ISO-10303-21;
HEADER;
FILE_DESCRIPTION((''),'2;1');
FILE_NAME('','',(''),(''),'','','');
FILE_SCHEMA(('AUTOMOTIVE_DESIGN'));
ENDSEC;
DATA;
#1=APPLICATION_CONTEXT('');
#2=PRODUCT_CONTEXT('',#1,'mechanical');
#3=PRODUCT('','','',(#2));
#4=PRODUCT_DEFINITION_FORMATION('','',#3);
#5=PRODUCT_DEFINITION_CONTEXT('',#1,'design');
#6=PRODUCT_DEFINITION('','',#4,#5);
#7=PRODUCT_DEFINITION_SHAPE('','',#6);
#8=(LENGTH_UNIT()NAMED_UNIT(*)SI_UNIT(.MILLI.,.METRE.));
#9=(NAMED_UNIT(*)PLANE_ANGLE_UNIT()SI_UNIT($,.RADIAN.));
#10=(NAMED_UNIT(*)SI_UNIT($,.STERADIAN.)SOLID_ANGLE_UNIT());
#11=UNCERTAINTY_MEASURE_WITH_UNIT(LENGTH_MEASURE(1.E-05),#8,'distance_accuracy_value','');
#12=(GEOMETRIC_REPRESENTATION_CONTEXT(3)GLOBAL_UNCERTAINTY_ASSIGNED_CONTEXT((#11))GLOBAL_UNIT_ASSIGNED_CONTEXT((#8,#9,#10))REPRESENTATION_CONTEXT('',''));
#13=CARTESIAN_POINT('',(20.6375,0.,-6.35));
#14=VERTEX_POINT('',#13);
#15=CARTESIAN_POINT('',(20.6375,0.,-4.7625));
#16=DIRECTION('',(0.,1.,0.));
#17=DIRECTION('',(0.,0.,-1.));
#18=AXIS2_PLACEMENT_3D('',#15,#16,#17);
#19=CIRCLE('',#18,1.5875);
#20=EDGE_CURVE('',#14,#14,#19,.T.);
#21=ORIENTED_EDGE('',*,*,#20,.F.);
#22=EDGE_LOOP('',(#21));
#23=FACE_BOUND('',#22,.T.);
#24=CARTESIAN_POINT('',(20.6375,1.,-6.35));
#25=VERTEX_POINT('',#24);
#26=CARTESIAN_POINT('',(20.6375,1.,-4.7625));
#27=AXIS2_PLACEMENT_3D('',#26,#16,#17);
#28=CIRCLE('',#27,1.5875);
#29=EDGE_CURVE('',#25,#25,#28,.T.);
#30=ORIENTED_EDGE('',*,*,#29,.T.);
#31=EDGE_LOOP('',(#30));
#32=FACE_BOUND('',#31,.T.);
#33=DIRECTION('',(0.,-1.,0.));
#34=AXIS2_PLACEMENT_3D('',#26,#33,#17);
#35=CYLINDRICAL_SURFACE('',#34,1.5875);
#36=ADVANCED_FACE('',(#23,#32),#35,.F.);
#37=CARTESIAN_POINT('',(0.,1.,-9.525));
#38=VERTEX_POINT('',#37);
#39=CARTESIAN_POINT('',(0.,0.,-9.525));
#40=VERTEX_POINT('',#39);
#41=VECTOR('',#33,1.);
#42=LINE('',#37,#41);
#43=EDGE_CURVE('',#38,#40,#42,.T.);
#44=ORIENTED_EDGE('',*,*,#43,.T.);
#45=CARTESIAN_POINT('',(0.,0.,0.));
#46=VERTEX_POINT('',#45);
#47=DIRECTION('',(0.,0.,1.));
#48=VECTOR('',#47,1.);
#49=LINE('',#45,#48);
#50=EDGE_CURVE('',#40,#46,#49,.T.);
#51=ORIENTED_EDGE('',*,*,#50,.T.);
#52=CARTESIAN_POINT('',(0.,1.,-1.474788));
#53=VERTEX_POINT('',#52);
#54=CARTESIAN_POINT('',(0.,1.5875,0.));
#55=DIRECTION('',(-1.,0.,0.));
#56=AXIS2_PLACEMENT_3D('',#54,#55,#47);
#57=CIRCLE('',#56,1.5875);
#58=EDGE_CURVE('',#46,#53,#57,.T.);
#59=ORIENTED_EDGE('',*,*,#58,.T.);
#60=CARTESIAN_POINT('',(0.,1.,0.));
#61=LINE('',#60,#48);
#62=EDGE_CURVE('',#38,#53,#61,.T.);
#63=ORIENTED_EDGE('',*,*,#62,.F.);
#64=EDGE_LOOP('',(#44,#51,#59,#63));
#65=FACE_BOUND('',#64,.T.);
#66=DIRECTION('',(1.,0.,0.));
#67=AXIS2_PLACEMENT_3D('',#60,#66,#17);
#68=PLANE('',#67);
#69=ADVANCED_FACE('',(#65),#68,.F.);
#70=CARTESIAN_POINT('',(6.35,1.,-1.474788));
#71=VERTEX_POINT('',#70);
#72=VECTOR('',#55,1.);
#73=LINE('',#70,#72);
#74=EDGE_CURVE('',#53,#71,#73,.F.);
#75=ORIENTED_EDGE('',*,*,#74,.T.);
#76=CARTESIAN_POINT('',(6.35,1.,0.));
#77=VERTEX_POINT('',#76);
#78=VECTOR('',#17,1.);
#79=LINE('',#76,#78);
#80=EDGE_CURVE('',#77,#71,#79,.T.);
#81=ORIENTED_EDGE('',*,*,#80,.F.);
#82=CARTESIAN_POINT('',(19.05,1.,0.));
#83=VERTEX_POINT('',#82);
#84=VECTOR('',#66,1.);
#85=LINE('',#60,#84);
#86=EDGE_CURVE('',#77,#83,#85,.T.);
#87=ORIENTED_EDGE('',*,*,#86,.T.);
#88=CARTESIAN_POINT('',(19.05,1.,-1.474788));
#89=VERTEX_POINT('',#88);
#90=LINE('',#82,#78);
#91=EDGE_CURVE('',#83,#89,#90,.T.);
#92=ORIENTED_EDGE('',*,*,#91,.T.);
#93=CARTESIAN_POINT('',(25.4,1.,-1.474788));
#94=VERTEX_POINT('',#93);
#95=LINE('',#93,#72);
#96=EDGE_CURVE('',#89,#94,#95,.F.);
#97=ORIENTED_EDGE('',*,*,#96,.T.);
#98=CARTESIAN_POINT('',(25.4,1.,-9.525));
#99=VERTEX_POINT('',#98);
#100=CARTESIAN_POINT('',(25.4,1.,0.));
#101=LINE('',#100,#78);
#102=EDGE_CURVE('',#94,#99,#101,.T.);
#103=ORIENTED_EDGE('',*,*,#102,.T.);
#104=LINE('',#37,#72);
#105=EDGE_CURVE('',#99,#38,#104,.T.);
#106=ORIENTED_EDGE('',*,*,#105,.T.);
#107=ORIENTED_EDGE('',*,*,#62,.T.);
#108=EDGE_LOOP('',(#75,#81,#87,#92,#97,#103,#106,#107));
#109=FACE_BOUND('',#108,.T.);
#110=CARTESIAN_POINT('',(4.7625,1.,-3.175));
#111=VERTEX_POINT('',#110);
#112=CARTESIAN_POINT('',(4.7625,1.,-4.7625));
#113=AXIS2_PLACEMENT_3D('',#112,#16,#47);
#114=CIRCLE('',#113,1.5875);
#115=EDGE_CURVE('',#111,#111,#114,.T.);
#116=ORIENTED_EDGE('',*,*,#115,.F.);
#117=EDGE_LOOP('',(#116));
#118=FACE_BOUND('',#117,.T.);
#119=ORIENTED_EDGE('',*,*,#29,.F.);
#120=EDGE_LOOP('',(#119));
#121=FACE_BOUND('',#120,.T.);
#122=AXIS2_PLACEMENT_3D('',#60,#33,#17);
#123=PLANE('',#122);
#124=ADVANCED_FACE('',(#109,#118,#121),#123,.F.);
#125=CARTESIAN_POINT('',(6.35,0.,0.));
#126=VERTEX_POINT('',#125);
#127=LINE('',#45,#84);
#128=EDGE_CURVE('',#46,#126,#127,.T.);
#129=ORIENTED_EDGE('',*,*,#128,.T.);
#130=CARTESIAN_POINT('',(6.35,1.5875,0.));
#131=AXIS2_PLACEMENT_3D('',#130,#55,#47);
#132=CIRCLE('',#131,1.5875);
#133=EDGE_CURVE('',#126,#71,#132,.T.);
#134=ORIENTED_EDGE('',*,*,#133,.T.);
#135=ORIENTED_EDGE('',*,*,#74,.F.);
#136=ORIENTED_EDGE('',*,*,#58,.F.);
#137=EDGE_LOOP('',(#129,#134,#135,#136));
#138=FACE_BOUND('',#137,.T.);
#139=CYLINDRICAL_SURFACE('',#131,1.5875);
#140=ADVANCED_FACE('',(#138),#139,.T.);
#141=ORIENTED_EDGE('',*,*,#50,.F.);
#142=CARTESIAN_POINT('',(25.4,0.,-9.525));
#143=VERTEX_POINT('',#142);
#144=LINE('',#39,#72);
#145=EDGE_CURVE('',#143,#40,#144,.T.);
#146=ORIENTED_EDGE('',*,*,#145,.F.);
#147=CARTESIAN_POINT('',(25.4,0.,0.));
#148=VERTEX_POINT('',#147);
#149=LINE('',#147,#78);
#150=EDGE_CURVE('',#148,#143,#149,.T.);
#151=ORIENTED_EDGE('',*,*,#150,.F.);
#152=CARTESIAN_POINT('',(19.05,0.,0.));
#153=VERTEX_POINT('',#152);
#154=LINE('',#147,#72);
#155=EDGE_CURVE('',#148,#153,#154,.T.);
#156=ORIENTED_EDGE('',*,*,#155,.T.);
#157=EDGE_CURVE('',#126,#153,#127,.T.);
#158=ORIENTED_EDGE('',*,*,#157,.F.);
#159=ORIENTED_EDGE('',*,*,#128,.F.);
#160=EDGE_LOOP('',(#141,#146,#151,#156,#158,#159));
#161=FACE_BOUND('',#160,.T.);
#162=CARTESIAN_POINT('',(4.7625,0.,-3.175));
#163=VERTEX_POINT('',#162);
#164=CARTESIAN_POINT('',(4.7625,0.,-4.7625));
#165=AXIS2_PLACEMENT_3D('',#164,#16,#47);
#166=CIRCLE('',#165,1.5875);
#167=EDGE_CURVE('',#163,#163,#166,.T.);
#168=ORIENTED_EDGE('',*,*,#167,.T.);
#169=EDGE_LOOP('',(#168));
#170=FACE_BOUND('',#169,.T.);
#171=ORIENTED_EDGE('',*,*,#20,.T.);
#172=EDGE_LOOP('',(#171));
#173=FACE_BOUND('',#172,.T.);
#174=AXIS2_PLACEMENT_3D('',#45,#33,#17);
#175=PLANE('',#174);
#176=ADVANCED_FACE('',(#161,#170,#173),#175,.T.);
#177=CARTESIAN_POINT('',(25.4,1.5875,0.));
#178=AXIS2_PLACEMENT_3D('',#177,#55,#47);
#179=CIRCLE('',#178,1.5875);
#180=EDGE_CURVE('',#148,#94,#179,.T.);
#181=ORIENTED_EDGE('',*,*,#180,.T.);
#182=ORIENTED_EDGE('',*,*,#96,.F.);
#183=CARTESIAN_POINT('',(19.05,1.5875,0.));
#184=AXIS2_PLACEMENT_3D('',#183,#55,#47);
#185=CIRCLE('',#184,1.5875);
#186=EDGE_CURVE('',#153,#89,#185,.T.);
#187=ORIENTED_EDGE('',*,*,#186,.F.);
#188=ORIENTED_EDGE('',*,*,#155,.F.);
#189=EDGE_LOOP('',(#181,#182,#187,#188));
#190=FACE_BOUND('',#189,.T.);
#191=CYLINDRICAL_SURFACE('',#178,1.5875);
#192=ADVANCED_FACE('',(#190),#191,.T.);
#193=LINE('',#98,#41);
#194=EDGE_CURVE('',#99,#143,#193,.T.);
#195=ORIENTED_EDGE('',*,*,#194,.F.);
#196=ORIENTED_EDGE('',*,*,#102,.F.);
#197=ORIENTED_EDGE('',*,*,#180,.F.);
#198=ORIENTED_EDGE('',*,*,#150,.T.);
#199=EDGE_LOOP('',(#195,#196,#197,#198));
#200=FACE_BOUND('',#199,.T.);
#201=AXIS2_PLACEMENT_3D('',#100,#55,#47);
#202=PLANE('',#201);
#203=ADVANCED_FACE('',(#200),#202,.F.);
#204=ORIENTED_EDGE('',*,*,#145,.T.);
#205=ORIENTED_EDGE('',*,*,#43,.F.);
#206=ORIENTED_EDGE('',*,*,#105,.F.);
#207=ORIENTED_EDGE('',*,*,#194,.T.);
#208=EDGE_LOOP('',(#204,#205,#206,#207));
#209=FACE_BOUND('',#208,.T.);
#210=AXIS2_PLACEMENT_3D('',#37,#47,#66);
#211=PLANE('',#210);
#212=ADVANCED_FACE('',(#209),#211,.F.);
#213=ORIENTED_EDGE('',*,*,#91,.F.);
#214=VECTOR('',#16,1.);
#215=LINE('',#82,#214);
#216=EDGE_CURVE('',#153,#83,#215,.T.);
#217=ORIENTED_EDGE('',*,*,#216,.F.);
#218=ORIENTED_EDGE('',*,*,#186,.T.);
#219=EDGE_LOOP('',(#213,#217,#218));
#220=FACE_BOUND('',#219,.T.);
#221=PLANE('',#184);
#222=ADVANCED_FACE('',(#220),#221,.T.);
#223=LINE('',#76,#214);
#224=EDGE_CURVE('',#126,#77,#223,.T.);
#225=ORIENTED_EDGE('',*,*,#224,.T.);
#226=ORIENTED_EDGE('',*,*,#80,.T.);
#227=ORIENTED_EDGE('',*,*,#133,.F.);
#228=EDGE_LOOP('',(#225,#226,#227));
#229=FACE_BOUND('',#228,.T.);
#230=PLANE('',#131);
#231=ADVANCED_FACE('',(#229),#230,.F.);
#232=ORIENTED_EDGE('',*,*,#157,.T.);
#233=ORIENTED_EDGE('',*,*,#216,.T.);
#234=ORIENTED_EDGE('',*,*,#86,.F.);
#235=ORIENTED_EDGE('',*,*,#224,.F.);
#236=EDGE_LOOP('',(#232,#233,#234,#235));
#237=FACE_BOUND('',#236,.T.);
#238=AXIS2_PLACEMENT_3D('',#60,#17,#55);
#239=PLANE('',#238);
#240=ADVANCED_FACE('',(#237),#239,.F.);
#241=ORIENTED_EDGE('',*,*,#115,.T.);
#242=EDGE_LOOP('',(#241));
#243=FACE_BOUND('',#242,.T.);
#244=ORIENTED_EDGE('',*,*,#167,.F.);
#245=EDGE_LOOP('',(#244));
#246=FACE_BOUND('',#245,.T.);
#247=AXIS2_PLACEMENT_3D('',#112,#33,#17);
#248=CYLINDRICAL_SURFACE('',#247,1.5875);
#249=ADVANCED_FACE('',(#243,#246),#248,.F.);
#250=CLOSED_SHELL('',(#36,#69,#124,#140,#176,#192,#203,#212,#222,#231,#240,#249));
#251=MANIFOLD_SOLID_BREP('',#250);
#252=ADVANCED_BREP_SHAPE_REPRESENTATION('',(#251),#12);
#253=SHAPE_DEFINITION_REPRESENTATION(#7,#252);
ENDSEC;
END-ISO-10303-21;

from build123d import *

# Parameters (mm, degrees)
SKETCH1_W           = 25.4
SKETCH1_H           = 9.525
SKETCH1_R           = 1.5875
BOSS_EXTRUDE1_DEPTH = 1
SKETCH2_R           = 1.5875
BOSS_EXTRUDE2_DEPTH = 6.35
LPATTERN1_COUNT     = 2
LPATTERN1_PITCH     = 19.05


with BuildPart() as part:
    # Sketch1 → Boss-Extrude1 (new body)
    with BuildSketch(Plane(origin=(0, 0, 0), x_dir=(1, 0, 0), z_dir=(0, 1, 0))):
        with Locations((12.7, 4.7625)):
            Rectangle(SKETCH1_W, SKETCH1_H)
        with Locations(Location((4.7625, 4.7625, 0), (0, 0, 270))):
            Circle(SKETCH1_R, mode=Mode.SUBTRACT)
        with Locations(Location((20.6375, 4.7625, 0), (0, 0, 90))):
            Circle(SKETCH1_R, mode=Mode.SUBTRACT)
    extrude(amount=BOSS_EXTRUDE1_DEPTH)

    # Sketch2 → Boss-Extrude2 (add)
    with BuildSketch(Plane.ZY):
        with Locations((0, 1.5875)):
            Circle(SKETCH2_R)
    boss_extrude2 = extrude(amount=-BOSS_EXTRUDE2_DEPTH)

    # LPattern1: Boss-Extrude2 ×2
    with Locations(*[(i * LPATTERN1_PITCH, 0, 0) for i in range(1, LPATTERN1_COUNT)]):
        add(boss_extrude2)


solid = part.part
